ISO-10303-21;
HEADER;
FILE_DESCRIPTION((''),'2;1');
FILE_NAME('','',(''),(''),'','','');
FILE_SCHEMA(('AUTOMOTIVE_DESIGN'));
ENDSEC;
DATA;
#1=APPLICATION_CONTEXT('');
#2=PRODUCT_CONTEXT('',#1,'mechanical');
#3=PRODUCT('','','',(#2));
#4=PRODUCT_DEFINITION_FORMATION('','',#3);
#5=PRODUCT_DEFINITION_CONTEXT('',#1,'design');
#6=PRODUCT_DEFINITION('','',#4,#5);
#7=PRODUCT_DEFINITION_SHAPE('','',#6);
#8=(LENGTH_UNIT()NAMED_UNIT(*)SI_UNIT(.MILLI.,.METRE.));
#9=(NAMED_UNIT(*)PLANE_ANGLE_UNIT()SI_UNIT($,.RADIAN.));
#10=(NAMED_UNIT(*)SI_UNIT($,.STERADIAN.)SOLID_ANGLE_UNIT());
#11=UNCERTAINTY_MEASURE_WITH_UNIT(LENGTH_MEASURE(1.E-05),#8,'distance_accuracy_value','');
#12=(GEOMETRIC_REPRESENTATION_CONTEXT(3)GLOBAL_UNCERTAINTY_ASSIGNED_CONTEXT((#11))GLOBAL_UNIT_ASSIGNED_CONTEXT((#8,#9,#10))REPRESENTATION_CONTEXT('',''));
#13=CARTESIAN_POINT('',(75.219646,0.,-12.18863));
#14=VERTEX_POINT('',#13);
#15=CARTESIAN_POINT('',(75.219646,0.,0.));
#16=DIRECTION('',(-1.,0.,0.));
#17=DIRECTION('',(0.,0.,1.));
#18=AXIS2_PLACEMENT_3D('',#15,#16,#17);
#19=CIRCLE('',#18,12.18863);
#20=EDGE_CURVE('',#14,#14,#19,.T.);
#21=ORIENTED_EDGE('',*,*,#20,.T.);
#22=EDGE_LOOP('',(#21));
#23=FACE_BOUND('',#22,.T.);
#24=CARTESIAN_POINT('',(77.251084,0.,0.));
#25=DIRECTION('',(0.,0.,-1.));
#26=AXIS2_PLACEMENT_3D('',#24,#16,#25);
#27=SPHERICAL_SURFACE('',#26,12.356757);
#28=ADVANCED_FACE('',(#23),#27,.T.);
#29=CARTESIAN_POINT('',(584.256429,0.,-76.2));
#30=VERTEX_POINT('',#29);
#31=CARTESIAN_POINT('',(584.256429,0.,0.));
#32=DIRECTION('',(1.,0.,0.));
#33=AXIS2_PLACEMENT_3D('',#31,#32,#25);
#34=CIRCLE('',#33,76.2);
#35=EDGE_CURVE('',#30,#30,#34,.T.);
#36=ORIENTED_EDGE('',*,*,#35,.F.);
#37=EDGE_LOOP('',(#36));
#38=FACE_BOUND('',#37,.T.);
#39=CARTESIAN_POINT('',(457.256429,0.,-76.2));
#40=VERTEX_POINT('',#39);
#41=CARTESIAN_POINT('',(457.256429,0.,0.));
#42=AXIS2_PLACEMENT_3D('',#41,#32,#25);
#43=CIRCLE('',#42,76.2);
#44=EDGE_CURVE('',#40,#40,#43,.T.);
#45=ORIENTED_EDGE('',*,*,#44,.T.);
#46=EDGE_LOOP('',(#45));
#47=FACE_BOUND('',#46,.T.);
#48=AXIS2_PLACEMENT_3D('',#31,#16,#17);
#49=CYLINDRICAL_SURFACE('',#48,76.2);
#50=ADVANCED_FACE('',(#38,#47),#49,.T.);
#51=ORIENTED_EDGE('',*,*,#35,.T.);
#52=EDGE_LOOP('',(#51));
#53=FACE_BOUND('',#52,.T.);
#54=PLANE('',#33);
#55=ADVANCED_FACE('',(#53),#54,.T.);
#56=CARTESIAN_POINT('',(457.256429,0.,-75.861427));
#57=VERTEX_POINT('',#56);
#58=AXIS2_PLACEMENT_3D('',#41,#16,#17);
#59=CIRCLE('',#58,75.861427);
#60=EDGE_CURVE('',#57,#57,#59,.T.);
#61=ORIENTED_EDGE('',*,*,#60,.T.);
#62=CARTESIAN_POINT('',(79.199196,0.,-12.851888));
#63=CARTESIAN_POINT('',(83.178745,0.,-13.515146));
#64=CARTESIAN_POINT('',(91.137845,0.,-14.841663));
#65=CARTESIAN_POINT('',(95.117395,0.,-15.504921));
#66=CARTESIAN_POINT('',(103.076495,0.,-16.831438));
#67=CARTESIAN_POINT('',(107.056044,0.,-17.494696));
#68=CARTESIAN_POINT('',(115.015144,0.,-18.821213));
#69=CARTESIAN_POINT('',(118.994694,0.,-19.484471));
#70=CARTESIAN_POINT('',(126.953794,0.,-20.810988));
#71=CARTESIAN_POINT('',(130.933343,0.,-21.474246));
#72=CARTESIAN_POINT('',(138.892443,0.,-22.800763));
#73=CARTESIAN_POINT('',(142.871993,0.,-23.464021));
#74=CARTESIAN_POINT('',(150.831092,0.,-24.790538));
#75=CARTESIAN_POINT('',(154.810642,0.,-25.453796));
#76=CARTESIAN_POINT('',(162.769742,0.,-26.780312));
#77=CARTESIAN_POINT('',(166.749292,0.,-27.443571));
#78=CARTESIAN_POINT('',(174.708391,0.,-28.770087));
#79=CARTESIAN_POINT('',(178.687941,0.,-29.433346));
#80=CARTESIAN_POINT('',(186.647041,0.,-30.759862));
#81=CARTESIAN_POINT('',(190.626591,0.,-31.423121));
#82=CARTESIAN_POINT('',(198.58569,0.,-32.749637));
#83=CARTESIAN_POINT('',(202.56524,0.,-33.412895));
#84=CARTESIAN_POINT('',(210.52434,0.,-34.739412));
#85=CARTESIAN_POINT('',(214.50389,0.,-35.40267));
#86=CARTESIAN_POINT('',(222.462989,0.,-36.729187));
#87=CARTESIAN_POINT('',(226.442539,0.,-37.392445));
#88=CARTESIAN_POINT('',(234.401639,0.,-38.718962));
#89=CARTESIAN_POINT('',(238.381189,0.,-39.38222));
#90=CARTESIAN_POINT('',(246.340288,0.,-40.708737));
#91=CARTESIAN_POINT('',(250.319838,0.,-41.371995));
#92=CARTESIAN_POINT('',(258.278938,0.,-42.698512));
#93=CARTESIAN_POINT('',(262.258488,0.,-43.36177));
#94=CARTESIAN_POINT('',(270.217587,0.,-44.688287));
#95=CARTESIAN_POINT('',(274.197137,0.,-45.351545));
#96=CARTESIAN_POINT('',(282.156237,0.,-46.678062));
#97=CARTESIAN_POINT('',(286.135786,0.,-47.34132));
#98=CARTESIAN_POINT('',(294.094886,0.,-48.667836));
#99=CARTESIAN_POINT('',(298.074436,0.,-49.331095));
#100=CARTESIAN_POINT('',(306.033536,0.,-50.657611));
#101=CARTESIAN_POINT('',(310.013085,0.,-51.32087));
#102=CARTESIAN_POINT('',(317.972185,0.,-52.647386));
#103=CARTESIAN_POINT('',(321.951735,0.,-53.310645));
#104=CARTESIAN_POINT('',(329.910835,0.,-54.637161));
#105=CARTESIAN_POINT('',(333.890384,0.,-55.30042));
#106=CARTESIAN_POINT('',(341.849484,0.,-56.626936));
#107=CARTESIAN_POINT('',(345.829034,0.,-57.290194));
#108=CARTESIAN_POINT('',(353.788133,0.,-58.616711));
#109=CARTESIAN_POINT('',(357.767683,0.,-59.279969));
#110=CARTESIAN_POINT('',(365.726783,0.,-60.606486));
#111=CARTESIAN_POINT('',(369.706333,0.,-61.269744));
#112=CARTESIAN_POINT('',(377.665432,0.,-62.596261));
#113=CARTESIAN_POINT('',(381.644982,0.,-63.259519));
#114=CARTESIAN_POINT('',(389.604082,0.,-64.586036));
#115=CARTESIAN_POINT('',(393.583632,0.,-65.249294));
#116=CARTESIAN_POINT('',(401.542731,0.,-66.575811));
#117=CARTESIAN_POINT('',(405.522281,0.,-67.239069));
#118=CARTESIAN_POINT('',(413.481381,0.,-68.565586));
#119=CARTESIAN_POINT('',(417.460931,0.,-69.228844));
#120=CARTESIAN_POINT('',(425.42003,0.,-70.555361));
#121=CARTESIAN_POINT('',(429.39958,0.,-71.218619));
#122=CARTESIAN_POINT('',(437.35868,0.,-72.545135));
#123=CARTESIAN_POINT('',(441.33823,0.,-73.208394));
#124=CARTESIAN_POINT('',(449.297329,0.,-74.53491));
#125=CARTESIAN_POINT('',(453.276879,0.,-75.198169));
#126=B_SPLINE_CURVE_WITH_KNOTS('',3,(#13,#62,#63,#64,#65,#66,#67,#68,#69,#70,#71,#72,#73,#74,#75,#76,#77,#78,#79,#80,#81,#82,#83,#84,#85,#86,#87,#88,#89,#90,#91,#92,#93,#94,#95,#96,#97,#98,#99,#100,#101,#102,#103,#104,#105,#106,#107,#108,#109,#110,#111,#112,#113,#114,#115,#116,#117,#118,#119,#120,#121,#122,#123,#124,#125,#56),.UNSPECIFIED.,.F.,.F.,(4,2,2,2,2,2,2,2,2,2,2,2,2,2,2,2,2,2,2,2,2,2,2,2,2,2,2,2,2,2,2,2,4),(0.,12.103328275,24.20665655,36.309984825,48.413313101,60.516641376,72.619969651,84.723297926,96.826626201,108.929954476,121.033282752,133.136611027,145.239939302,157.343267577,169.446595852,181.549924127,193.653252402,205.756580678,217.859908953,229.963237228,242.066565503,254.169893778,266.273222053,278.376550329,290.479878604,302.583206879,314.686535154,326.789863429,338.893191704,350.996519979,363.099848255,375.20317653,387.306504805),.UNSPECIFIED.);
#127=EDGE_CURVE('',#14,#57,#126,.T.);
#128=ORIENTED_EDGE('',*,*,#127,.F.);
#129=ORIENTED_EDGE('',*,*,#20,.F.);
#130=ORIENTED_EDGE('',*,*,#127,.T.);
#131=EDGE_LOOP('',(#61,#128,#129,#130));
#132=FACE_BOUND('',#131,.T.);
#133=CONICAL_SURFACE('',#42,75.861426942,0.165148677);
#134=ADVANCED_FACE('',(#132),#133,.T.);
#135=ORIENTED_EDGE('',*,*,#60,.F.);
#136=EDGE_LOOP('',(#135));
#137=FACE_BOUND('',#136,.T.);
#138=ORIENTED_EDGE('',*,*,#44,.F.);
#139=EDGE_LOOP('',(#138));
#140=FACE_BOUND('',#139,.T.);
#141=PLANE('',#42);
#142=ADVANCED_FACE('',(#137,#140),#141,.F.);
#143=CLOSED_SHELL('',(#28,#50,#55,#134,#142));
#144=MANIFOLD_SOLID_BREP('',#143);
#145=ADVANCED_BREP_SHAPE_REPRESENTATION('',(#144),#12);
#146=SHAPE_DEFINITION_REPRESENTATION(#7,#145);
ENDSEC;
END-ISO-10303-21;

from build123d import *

# Parameters (mm, degrees)
SKETCH2_R           = 76.2
BOSS_EXTRUDE1_DEPTH = 127


with BuildPart() as part:
    # Sketch1 → Revolve3 (revolve)
    with BuildSketch(Plane(origin=(0, 0, 0), x_dir=(1, 0, 0), z_dir=(0, 1, 0))):
        with BuildLine():
            Line((457.256428843, 75.861426942), (457.256428843, 0))
            Line((457.256428843, 0), (64.89432739, 0))
            ThreePointArc((64.89432739, 0), (67.822631821, 7.98709736), (75.219645843, 12.188629775))
            Line((75.219645843, 12.188629775), (457.256428843, 75.861426942))
        make_face()
    revolve(axis=Axis((0, 0, 0), (1, 0, 0)))

    # Sketch2 → Boss-Extrude1 (add)
    with BuildSketch(Plane(origin=(457.256428843, 0, 0), x_dir=(0, 0, -1), z_dir=(1, 0, 0))):
        Circle(SKETCH2_R)
    extrude(amount=BOSS_EXTRUDE1_DEPTH)


solid = part.part
